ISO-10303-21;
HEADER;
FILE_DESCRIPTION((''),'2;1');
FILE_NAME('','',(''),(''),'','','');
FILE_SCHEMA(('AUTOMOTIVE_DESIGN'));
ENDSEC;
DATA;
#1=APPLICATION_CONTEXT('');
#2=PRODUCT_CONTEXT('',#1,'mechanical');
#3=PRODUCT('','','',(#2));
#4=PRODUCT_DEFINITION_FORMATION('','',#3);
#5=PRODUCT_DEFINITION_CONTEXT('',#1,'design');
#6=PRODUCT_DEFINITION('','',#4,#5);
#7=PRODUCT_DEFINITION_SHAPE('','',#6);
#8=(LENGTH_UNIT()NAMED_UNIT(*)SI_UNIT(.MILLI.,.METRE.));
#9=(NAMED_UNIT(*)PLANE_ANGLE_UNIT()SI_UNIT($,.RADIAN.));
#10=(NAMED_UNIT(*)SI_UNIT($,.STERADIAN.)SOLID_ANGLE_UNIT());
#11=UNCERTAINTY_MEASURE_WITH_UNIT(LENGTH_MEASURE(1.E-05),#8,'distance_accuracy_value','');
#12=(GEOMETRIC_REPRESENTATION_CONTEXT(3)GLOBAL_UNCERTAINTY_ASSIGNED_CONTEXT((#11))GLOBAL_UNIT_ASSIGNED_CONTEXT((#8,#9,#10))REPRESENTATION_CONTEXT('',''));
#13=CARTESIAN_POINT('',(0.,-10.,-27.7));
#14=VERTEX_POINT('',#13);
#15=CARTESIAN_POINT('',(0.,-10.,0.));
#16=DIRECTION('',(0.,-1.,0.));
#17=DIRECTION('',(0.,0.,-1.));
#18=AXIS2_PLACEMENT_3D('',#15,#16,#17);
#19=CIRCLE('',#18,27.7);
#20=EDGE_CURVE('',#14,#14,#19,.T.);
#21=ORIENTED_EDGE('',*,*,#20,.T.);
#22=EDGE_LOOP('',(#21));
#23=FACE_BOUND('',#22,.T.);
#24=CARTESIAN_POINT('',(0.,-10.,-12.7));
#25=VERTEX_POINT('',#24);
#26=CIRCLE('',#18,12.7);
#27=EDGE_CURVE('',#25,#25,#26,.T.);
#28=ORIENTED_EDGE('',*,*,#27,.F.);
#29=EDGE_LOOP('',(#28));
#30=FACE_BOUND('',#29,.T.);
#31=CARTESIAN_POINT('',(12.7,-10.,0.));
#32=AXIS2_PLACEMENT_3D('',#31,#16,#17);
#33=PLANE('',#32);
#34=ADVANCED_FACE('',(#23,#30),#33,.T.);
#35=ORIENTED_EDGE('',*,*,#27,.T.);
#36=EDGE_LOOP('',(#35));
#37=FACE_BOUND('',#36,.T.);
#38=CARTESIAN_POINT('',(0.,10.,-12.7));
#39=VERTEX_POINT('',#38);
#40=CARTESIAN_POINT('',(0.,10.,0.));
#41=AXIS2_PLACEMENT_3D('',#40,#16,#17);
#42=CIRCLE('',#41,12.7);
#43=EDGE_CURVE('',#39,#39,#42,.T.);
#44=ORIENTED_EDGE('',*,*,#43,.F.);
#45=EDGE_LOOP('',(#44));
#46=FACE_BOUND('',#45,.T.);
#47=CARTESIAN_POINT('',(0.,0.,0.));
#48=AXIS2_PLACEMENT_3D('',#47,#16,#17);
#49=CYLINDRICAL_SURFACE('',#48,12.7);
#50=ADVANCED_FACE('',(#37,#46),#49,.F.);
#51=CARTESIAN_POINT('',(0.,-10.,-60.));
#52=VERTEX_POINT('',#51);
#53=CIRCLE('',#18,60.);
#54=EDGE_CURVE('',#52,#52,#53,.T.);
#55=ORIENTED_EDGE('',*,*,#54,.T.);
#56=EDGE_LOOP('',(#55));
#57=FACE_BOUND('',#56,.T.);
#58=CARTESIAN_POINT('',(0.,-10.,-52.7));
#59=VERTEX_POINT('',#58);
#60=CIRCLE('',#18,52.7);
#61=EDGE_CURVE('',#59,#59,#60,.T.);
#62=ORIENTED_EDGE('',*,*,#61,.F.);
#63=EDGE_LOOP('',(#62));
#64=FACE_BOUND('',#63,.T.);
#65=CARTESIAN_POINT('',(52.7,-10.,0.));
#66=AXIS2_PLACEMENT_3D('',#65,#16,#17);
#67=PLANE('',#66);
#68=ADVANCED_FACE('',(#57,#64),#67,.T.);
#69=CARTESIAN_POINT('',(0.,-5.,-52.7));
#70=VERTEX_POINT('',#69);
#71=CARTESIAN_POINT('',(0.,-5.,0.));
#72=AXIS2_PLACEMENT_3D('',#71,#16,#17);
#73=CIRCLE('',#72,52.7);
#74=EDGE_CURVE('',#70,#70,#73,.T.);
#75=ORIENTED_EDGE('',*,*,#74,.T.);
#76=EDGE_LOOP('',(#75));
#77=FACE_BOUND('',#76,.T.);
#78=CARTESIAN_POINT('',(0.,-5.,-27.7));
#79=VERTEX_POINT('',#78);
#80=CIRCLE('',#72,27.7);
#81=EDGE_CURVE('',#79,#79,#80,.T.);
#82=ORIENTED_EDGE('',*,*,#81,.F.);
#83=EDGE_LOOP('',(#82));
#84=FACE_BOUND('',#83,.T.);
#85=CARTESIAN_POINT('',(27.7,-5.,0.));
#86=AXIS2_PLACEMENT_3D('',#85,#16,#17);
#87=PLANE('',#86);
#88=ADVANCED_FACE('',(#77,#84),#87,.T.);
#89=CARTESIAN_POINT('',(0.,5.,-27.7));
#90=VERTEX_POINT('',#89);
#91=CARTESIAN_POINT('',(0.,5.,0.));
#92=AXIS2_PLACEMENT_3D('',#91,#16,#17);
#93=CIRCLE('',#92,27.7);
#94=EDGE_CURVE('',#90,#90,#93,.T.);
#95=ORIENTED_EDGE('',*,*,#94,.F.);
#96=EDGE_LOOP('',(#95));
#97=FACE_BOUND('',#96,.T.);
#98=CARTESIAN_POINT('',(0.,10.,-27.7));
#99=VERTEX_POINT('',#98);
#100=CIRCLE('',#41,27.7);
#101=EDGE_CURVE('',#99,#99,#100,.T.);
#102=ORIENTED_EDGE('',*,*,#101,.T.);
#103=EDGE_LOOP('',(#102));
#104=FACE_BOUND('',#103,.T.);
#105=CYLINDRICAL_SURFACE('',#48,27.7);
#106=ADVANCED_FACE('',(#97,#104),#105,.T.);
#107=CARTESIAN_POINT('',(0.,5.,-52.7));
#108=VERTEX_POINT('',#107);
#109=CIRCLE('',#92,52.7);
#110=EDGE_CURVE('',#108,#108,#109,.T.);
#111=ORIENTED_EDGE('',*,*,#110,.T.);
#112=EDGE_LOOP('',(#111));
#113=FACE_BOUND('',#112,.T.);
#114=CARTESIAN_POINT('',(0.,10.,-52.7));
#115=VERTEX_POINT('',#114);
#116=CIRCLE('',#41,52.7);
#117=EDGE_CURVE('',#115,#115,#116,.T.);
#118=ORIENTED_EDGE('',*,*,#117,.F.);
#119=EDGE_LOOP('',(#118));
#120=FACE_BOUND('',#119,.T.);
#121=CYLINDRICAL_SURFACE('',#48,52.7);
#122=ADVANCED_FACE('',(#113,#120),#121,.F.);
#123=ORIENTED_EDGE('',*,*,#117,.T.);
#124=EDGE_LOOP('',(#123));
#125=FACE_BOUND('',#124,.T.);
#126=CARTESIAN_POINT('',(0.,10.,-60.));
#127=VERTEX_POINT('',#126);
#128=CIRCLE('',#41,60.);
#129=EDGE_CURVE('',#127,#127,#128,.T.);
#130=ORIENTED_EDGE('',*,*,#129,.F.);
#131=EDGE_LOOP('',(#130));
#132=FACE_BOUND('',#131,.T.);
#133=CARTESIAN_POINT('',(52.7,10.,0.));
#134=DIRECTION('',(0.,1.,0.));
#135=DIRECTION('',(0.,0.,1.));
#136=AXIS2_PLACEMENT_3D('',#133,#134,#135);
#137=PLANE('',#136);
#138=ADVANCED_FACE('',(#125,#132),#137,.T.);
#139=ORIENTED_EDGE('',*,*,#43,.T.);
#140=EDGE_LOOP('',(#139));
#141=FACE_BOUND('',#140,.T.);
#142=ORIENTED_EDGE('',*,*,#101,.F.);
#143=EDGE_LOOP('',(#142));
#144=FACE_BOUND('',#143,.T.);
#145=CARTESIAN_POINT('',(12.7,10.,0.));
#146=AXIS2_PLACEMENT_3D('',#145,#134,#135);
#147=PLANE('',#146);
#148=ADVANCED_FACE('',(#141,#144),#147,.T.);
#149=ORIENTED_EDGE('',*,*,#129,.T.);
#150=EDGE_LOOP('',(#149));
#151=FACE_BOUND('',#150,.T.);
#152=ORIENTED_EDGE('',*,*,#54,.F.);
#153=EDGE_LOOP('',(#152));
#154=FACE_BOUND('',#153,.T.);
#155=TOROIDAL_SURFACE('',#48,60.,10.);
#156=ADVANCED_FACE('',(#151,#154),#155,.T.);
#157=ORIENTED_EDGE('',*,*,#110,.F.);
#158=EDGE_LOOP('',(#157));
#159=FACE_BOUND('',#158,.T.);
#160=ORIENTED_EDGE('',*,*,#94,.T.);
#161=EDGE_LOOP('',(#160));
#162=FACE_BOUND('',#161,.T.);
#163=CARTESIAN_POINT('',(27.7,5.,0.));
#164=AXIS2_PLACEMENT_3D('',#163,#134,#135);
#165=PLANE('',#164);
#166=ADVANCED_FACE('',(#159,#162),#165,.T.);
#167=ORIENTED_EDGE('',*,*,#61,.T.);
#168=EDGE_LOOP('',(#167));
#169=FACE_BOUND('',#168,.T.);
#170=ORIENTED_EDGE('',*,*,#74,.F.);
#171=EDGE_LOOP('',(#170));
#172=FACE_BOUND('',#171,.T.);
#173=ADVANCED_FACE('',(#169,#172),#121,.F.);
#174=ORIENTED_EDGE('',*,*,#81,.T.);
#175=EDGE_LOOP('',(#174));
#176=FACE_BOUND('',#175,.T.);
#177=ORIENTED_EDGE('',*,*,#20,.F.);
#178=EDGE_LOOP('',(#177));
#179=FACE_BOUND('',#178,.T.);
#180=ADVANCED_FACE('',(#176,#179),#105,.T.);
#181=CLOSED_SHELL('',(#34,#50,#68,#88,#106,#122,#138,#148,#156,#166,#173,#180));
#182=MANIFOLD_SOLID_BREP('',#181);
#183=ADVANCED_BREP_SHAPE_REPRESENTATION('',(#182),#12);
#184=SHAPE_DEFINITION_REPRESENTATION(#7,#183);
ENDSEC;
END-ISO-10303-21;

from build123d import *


with BuildPart() as part:
    # Croquis1 → Revolución1 (revolve)
    with BuildSketch(Plane.XY, mode=Mode.PRIVATE) as revoluci_n1_sk:
        with BuildLine():
            Line((12.7, -10), (12.7, 10))
            Line((12.7, 10), (27.7, 10))
            Line((27.7, 10), (27.7, 5))
            Line((27.7, 5), (52.7, 5))
            Line((52.7, 5), (52.7, 10))
            Line((52.7, 10), (60, 10))
            ThreePointArc((60, 10), (70, 0), (60, -10))
            Line((60, -10), (52.7, -10))
            Line((52.7, -10), (52.7, -5))
            Line((52.7, -5), (27.7, -5))
            Line((27.7, -5), (27.7, -10))
            Line((27.7, -10), (12.7, -10))
        make_face()
    revolve(revoluci_n1_sk.sketch.rotate(Axis((0, 0, 0), (0, 1, 0)), 90), axis=Axis((0, 0, 0), (0, 1, 0)))


solid = part.part
